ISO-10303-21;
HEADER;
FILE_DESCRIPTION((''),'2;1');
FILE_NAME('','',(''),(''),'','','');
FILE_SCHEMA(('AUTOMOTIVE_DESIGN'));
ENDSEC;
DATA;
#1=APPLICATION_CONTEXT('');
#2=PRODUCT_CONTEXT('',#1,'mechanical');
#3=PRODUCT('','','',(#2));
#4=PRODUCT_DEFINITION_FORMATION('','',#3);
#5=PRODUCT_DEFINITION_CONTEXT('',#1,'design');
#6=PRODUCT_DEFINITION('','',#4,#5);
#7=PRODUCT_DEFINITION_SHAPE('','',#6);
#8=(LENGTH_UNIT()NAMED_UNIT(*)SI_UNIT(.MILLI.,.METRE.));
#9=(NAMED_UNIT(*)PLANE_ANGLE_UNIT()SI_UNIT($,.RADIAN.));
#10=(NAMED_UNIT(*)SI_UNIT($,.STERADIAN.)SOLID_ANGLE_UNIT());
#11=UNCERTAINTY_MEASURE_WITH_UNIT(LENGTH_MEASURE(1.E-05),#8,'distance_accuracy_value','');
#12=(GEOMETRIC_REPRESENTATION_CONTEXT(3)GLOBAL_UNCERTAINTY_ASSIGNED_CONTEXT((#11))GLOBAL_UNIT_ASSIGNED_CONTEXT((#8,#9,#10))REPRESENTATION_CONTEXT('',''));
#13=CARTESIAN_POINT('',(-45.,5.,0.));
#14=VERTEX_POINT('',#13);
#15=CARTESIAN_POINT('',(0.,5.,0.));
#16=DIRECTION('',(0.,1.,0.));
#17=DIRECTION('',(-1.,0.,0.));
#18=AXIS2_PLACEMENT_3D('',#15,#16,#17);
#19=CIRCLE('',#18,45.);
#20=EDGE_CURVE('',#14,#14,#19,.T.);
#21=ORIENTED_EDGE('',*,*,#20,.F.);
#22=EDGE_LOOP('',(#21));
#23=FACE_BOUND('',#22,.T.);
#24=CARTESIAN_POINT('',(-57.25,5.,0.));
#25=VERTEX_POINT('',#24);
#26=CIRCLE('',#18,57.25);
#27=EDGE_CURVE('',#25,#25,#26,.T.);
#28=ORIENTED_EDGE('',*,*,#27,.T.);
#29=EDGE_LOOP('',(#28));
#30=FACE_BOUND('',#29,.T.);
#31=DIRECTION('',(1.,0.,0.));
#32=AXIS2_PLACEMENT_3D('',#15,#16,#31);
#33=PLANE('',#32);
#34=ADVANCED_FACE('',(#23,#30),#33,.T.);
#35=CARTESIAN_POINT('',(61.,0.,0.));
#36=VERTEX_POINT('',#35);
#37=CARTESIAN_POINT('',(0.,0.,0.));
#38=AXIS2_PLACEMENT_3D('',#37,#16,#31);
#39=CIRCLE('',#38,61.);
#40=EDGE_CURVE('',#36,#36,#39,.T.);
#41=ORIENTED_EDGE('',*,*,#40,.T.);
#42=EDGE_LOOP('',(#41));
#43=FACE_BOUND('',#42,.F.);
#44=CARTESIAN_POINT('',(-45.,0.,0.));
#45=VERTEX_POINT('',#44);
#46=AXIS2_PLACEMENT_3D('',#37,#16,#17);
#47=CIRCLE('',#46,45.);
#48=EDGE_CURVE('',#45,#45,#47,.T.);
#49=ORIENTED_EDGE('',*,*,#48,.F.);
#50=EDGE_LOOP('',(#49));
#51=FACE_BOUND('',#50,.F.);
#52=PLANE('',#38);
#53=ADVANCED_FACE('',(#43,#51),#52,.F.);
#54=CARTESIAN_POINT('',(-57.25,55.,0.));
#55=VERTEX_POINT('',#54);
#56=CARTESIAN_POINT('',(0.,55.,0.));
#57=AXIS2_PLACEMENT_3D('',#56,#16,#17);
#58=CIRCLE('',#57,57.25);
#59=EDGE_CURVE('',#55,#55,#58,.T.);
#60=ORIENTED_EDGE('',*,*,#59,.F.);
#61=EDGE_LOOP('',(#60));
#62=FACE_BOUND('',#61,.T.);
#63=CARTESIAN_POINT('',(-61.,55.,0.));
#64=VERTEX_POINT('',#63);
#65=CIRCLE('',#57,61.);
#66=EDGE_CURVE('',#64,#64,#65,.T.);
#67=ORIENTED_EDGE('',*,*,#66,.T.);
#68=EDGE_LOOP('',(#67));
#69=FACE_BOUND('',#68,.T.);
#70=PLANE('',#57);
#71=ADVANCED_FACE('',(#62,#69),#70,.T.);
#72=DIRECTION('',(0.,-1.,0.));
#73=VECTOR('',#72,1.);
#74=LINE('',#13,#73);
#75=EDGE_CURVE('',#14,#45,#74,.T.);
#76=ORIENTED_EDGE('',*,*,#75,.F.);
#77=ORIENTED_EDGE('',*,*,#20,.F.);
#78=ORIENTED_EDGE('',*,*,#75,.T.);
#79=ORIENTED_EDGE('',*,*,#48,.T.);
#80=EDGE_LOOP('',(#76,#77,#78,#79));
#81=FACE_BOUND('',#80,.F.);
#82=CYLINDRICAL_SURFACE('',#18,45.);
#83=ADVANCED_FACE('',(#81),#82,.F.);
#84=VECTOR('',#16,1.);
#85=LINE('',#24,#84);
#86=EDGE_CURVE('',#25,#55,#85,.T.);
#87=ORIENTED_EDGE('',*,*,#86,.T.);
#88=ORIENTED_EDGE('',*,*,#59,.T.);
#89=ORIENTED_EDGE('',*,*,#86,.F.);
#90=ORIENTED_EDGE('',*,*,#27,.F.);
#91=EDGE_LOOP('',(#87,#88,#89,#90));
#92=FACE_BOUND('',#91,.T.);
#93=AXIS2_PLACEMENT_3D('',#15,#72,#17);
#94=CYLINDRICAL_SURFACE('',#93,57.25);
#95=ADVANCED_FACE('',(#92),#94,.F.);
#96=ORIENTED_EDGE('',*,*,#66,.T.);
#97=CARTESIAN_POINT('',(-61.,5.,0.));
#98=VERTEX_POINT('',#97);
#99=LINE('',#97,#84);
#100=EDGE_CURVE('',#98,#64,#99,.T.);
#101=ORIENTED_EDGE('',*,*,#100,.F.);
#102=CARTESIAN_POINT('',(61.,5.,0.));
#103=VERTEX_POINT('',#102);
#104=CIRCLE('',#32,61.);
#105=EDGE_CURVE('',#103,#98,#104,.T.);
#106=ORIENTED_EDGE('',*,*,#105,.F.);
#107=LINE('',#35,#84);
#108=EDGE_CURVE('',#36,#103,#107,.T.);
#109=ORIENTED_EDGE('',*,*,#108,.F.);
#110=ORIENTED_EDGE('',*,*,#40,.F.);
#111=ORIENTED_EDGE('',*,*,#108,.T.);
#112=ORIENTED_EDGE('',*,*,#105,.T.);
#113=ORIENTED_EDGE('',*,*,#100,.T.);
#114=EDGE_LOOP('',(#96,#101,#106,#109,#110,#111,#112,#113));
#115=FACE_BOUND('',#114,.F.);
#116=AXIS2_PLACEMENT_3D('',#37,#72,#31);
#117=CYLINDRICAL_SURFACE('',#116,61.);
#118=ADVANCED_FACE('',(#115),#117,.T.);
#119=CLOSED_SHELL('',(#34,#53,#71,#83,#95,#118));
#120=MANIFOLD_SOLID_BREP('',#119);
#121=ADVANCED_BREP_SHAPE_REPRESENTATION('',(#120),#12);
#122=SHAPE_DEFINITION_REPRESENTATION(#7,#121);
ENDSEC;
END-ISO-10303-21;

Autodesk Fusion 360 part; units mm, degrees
sketch "Sketch1" plane through (0, 0, 0) normal (0, 1, 0) x (1, 0, 0)
  circle A0 centre (0, 0) radius 61
  dimension "d2" = 122
extrude "Extrude1" add sketch "Sketch1" along normal blind 5
sketch "Sketch3" plane through (0, 5, 0) normal (0, 1, 0) x (-1, 0, 0)
  circle A0 centre (0, 0) radius 61
  circle A1 centre (0, 0) radius 61
  circle A2 centre (0, 0) radius 57.25
  dimension "d5" = 114.5
extrude "Extrude2" add sketch "Sketch3" along normal blind 50
sketch "Sketch4" plane through (0, 5, 0) normal (0, 1, 0) x (-1, 0, 0)
  circle A0 centre (0, 0) radius 57.25
  circle A1 centre (0, 0) radius 45
  dimension "d8" = 90
extrude "Extrude3" cut sketch "Sketch4" against normal blind 55 contours A1
